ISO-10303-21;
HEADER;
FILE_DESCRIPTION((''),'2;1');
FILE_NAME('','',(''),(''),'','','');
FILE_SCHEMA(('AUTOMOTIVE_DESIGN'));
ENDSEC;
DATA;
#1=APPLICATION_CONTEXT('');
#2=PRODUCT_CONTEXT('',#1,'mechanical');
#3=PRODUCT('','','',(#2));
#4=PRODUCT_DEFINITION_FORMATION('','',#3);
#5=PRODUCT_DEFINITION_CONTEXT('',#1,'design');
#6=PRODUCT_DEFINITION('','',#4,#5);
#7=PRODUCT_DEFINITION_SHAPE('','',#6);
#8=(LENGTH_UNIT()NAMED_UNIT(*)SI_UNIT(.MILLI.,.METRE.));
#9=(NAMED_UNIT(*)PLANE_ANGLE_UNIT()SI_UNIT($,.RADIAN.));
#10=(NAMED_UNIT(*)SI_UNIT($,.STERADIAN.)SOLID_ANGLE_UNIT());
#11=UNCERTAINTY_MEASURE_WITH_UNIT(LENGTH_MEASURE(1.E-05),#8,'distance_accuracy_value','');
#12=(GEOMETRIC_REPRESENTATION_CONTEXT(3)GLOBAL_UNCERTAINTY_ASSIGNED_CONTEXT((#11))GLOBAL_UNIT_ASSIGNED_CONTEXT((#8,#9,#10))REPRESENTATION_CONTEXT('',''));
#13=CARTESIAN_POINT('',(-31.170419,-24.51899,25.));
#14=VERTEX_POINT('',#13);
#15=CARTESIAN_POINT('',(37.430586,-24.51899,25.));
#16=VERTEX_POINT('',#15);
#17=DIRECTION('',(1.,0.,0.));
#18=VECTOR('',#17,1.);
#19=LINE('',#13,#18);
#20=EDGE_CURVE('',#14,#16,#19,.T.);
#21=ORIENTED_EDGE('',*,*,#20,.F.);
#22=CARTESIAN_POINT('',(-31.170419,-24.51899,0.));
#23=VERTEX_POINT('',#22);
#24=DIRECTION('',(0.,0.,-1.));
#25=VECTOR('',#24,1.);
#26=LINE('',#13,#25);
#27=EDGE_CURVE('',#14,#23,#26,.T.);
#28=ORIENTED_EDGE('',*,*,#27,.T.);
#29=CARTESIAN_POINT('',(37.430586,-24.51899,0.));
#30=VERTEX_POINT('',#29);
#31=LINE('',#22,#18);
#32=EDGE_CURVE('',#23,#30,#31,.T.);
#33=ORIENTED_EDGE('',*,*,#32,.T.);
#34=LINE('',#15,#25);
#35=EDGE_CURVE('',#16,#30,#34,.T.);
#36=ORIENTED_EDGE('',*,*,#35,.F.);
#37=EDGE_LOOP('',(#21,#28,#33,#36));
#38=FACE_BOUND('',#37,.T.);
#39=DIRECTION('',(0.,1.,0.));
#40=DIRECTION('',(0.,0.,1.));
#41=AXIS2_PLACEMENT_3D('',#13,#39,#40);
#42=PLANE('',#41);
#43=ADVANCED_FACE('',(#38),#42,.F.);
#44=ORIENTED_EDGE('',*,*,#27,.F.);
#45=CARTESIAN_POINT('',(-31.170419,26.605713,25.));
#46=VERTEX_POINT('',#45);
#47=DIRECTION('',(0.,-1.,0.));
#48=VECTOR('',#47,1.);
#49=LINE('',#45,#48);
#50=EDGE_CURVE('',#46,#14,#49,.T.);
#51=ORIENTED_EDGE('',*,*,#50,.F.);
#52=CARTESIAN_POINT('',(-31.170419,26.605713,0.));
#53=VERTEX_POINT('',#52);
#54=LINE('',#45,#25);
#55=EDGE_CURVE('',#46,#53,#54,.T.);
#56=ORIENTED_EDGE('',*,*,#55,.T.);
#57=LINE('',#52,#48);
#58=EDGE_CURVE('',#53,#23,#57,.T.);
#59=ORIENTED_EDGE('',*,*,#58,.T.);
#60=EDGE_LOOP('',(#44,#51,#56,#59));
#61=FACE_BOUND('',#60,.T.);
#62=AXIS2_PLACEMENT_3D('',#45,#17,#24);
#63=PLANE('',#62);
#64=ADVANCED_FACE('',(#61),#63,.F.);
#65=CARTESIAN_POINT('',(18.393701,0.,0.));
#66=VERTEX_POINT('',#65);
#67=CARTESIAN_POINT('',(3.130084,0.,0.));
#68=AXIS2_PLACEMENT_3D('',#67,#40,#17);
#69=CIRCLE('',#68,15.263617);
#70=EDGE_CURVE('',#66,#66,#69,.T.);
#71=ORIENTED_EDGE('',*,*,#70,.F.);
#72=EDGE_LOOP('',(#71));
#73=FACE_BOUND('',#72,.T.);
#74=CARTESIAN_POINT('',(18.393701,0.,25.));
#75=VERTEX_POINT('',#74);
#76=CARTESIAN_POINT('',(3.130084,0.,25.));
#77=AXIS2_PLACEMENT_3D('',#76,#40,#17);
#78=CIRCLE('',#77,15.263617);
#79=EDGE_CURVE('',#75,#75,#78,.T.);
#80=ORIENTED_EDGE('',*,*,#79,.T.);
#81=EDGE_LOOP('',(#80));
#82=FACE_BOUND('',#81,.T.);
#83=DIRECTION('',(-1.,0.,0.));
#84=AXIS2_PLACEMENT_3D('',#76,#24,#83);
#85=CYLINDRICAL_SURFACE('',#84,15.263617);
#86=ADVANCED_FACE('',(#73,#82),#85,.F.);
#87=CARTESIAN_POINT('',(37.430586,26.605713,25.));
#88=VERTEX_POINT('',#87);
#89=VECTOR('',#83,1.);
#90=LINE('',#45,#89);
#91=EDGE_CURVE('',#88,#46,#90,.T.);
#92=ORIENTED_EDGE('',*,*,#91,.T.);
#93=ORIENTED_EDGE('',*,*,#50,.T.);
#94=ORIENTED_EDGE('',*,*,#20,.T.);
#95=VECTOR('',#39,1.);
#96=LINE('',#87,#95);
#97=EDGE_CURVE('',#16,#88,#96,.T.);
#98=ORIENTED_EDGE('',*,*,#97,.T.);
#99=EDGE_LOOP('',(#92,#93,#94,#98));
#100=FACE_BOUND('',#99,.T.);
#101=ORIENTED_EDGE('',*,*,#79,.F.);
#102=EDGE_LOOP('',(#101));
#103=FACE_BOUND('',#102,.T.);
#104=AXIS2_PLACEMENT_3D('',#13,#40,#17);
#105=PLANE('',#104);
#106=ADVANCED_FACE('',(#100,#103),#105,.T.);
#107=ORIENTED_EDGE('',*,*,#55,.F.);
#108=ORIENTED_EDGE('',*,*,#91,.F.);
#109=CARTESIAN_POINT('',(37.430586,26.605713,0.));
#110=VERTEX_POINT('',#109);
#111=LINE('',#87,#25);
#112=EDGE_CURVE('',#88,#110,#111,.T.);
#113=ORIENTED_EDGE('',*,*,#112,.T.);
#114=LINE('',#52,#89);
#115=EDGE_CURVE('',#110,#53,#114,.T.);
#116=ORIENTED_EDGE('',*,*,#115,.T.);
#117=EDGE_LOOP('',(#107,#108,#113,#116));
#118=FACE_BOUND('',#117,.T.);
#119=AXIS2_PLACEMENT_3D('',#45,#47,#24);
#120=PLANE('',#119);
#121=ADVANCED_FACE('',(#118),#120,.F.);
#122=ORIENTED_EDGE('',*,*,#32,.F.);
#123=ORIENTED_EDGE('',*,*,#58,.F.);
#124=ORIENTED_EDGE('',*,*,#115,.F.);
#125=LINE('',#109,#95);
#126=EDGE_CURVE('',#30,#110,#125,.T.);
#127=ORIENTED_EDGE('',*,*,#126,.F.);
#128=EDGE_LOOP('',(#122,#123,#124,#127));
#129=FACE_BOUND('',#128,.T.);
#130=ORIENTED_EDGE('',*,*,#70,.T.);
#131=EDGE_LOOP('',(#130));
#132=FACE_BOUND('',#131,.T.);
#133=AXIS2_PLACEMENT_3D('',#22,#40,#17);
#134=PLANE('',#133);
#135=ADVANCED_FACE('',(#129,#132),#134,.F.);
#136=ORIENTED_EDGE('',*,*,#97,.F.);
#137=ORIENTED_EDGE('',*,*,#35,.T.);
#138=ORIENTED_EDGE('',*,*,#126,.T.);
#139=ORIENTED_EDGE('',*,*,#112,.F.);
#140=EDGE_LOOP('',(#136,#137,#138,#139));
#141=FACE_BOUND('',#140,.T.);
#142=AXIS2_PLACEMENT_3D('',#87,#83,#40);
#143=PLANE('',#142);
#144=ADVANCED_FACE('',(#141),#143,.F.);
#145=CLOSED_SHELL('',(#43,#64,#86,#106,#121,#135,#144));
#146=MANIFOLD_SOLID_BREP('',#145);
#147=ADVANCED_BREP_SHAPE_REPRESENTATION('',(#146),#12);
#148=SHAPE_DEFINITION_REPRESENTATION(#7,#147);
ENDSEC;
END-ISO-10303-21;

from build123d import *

# Parameters (mm, degrees)
SKETCH1_W           = 68.601004991
SKETCH1_H           = 51.124703339
SKETCH1_R           = 15.263617063
BOSS_EXTRUDE1_DEPTH = 25


with BuildPart() as part:
    # Sketch1 → Boss-Extrude1 (new body)
    with BuildSketch(Plane.XY):
        with Locations((3.130083878, 1.043361293)):
            Rectangle(SKETCH1_W, SKETCH1_H)
        with Locations((3.130083878, 0)):
            Circle(SKETCH1_R, mode=Mode.SUBTRACT)
    extrude(amount=BOSS_EXTRUDE1_DEPTH)


solid = part.part
